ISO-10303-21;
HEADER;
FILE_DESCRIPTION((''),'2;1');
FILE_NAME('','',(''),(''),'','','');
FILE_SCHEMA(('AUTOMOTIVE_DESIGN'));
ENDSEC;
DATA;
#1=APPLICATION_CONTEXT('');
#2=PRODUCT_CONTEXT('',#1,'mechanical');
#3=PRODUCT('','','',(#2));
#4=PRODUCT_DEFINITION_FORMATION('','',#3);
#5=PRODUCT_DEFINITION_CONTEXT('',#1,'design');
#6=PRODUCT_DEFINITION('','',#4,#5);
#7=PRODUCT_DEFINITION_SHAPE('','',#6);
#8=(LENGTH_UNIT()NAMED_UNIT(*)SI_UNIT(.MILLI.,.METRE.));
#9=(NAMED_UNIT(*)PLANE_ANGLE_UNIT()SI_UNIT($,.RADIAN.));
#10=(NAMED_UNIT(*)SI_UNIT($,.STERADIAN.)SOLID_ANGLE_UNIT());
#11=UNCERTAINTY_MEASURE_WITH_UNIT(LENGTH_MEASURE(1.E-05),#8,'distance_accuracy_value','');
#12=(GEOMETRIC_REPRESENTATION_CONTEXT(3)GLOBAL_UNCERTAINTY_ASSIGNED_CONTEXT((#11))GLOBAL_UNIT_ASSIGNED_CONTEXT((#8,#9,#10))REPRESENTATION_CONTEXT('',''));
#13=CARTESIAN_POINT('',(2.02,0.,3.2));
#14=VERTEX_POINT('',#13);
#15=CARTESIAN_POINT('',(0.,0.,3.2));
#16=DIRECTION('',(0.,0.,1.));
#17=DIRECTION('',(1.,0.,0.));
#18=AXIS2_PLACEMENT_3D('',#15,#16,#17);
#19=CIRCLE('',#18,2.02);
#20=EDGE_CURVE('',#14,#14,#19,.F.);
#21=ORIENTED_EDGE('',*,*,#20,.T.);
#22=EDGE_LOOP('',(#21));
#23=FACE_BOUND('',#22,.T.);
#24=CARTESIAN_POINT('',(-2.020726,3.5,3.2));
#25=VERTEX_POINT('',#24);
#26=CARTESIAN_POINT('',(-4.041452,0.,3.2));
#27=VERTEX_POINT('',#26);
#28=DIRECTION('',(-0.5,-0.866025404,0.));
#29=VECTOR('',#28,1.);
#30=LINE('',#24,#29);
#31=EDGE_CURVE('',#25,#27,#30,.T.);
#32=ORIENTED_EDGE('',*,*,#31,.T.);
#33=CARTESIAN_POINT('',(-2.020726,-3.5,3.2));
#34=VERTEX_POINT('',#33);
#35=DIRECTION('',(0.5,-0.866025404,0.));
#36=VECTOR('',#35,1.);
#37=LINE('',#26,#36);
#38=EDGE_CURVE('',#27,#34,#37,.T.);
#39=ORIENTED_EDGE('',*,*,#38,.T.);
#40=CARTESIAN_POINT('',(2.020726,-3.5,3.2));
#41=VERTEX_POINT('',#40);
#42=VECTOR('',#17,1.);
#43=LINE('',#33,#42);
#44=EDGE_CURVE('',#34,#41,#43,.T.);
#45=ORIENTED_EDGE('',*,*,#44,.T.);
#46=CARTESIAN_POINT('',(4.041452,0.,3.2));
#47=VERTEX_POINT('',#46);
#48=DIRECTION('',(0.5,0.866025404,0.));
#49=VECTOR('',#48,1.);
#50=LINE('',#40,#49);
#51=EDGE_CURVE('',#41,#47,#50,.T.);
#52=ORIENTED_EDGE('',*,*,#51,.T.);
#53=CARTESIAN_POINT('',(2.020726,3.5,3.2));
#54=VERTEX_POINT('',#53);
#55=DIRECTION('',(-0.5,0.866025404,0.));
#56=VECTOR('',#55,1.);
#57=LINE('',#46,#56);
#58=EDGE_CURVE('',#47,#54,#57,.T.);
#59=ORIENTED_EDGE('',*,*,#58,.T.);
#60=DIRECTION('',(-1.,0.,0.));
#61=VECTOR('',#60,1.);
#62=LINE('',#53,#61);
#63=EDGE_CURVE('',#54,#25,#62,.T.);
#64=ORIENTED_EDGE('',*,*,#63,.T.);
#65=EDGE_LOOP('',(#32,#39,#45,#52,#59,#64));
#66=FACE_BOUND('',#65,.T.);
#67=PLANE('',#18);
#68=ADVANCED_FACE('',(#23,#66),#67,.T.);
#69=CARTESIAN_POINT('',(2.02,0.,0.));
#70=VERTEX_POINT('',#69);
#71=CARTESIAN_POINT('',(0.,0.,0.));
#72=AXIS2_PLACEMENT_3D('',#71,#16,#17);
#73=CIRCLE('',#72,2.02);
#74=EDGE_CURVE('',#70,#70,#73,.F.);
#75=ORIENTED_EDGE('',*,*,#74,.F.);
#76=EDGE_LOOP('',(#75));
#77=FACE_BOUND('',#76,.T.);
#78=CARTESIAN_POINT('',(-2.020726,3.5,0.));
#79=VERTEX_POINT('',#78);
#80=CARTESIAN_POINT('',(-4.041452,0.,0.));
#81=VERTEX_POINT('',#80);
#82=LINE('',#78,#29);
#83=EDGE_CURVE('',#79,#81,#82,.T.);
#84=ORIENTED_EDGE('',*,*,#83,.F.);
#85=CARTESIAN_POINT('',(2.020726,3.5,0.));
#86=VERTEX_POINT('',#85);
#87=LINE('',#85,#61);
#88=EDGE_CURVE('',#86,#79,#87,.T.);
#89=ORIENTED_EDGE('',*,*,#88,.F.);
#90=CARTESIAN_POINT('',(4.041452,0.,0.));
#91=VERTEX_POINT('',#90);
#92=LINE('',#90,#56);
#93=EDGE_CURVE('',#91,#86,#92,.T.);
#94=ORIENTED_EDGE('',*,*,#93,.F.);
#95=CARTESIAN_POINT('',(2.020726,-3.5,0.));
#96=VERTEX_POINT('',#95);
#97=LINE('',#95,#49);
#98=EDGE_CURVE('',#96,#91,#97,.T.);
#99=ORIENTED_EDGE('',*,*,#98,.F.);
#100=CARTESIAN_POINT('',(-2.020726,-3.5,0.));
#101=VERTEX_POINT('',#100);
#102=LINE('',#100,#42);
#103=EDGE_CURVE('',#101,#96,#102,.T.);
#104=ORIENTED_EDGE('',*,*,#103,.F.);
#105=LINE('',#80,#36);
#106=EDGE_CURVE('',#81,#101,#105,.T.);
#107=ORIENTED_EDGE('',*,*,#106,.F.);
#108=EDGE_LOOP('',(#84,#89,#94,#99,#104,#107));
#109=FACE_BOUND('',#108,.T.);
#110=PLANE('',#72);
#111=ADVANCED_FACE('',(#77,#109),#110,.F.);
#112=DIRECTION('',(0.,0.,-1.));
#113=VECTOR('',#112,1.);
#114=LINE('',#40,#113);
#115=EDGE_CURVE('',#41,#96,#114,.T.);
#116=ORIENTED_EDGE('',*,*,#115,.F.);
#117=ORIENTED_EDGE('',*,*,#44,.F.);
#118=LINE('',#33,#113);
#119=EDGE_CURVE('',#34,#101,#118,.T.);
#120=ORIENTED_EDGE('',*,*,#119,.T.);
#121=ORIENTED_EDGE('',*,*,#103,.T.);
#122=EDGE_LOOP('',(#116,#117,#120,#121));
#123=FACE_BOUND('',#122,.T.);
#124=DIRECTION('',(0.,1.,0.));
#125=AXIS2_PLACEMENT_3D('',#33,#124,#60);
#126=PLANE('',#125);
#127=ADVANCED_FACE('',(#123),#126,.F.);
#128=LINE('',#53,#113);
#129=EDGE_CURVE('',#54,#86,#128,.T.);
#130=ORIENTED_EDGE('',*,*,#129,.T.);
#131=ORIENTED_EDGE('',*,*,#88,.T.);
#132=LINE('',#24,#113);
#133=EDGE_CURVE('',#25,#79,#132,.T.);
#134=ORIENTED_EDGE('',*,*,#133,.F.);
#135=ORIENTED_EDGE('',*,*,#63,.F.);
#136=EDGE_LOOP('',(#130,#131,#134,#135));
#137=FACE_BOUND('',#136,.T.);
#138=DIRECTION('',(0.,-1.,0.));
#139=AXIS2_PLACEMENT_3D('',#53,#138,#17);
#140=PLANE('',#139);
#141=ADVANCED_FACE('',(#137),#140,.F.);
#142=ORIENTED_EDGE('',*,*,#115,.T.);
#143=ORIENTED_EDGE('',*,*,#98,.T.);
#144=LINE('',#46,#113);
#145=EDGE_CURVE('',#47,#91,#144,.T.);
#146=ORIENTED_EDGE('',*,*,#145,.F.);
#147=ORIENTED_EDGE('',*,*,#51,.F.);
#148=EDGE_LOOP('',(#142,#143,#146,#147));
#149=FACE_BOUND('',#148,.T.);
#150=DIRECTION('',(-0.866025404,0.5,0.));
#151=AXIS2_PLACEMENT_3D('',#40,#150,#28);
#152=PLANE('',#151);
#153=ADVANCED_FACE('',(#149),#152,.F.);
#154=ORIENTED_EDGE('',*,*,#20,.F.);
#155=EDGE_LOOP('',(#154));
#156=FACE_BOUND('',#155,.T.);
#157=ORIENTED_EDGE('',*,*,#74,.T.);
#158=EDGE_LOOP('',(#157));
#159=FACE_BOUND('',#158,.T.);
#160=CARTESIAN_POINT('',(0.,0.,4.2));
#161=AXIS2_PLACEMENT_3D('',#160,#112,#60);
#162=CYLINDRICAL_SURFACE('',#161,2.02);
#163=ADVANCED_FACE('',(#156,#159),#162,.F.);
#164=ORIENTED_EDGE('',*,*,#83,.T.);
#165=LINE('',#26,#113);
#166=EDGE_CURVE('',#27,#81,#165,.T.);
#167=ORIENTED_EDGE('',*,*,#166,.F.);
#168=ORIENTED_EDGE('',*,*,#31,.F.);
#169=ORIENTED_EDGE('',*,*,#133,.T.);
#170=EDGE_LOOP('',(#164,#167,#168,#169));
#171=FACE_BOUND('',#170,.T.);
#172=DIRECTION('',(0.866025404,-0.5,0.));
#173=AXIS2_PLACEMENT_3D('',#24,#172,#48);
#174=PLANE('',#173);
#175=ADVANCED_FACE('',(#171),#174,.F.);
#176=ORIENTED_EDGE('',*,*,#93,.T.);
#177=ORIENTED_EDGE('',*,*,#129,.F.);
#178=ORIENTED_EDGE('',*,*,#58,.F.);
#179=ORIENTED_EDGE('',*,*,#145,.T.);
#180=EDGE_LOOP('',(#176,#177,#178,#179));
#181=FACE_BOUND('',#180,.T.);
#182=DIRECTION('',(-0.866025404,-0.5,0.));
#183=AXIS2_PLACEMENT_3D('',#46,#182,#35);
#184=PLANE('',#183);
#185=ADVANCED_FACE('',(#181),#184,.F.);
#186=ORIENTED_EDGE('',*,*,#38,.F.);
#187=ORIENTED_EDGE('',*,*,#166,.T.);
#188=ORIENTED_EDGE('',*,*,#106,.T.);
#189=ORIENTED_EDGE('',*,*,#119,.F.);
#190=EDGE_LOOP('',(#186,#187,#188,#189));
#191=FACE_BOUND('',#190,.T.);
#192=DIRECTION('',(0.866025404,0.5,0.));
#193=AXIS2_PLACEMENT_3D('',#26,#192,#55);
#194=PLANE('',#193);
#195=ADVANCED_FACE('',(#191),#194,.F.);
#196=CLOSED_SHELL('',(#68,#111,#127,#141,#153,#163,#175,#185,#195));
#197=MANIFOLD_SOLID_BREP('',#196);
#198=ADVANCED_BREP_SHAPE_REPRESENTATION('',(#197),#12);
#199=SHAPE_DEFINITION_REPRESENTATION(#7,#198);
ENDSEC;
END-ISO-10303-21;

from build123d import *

# Parameters (mm, degrees)
HEX_BLANK_DEPTH                  = 3.2
NOMINAL_THREAD_ENVELOPE_START    = -1
SKETCH_NOMINAL_THREAD_ENVELOPE_R = 2.02
NOMINAL_THREAD_ENVELOPE_DEPTH    = 5.2


with BuildPart() as part:
    # Sketch_Hex_blank → Hex_blank (new body)
    with BuildSketch(Plane.XY):
        Polygon((4.041451884, 0), (2.020725942, 3.5), (-2.020725942, 3.5), (-4.041451884, 0), (-2.020725942, -3.5), (2.020725942, -3.5), align=None)
    extrude(amount=HEX_BLANK_DEPTH)

    # Sketch_Nominal_thread_envelope → Nominal_thread_envelope (cut)
    with BuildSketch(Plane.XY.offset(NOMINAL_THREAD_ENVELOPE_START)):
        Circle(SKETCH_NOMINAL_THREAD_ENVELOPE_R)
    extrude(amount=NOMINAL_THREAD_ENVELOPE_DEPTH, mode=Mode.SUBTRACT)


solid = part.part
